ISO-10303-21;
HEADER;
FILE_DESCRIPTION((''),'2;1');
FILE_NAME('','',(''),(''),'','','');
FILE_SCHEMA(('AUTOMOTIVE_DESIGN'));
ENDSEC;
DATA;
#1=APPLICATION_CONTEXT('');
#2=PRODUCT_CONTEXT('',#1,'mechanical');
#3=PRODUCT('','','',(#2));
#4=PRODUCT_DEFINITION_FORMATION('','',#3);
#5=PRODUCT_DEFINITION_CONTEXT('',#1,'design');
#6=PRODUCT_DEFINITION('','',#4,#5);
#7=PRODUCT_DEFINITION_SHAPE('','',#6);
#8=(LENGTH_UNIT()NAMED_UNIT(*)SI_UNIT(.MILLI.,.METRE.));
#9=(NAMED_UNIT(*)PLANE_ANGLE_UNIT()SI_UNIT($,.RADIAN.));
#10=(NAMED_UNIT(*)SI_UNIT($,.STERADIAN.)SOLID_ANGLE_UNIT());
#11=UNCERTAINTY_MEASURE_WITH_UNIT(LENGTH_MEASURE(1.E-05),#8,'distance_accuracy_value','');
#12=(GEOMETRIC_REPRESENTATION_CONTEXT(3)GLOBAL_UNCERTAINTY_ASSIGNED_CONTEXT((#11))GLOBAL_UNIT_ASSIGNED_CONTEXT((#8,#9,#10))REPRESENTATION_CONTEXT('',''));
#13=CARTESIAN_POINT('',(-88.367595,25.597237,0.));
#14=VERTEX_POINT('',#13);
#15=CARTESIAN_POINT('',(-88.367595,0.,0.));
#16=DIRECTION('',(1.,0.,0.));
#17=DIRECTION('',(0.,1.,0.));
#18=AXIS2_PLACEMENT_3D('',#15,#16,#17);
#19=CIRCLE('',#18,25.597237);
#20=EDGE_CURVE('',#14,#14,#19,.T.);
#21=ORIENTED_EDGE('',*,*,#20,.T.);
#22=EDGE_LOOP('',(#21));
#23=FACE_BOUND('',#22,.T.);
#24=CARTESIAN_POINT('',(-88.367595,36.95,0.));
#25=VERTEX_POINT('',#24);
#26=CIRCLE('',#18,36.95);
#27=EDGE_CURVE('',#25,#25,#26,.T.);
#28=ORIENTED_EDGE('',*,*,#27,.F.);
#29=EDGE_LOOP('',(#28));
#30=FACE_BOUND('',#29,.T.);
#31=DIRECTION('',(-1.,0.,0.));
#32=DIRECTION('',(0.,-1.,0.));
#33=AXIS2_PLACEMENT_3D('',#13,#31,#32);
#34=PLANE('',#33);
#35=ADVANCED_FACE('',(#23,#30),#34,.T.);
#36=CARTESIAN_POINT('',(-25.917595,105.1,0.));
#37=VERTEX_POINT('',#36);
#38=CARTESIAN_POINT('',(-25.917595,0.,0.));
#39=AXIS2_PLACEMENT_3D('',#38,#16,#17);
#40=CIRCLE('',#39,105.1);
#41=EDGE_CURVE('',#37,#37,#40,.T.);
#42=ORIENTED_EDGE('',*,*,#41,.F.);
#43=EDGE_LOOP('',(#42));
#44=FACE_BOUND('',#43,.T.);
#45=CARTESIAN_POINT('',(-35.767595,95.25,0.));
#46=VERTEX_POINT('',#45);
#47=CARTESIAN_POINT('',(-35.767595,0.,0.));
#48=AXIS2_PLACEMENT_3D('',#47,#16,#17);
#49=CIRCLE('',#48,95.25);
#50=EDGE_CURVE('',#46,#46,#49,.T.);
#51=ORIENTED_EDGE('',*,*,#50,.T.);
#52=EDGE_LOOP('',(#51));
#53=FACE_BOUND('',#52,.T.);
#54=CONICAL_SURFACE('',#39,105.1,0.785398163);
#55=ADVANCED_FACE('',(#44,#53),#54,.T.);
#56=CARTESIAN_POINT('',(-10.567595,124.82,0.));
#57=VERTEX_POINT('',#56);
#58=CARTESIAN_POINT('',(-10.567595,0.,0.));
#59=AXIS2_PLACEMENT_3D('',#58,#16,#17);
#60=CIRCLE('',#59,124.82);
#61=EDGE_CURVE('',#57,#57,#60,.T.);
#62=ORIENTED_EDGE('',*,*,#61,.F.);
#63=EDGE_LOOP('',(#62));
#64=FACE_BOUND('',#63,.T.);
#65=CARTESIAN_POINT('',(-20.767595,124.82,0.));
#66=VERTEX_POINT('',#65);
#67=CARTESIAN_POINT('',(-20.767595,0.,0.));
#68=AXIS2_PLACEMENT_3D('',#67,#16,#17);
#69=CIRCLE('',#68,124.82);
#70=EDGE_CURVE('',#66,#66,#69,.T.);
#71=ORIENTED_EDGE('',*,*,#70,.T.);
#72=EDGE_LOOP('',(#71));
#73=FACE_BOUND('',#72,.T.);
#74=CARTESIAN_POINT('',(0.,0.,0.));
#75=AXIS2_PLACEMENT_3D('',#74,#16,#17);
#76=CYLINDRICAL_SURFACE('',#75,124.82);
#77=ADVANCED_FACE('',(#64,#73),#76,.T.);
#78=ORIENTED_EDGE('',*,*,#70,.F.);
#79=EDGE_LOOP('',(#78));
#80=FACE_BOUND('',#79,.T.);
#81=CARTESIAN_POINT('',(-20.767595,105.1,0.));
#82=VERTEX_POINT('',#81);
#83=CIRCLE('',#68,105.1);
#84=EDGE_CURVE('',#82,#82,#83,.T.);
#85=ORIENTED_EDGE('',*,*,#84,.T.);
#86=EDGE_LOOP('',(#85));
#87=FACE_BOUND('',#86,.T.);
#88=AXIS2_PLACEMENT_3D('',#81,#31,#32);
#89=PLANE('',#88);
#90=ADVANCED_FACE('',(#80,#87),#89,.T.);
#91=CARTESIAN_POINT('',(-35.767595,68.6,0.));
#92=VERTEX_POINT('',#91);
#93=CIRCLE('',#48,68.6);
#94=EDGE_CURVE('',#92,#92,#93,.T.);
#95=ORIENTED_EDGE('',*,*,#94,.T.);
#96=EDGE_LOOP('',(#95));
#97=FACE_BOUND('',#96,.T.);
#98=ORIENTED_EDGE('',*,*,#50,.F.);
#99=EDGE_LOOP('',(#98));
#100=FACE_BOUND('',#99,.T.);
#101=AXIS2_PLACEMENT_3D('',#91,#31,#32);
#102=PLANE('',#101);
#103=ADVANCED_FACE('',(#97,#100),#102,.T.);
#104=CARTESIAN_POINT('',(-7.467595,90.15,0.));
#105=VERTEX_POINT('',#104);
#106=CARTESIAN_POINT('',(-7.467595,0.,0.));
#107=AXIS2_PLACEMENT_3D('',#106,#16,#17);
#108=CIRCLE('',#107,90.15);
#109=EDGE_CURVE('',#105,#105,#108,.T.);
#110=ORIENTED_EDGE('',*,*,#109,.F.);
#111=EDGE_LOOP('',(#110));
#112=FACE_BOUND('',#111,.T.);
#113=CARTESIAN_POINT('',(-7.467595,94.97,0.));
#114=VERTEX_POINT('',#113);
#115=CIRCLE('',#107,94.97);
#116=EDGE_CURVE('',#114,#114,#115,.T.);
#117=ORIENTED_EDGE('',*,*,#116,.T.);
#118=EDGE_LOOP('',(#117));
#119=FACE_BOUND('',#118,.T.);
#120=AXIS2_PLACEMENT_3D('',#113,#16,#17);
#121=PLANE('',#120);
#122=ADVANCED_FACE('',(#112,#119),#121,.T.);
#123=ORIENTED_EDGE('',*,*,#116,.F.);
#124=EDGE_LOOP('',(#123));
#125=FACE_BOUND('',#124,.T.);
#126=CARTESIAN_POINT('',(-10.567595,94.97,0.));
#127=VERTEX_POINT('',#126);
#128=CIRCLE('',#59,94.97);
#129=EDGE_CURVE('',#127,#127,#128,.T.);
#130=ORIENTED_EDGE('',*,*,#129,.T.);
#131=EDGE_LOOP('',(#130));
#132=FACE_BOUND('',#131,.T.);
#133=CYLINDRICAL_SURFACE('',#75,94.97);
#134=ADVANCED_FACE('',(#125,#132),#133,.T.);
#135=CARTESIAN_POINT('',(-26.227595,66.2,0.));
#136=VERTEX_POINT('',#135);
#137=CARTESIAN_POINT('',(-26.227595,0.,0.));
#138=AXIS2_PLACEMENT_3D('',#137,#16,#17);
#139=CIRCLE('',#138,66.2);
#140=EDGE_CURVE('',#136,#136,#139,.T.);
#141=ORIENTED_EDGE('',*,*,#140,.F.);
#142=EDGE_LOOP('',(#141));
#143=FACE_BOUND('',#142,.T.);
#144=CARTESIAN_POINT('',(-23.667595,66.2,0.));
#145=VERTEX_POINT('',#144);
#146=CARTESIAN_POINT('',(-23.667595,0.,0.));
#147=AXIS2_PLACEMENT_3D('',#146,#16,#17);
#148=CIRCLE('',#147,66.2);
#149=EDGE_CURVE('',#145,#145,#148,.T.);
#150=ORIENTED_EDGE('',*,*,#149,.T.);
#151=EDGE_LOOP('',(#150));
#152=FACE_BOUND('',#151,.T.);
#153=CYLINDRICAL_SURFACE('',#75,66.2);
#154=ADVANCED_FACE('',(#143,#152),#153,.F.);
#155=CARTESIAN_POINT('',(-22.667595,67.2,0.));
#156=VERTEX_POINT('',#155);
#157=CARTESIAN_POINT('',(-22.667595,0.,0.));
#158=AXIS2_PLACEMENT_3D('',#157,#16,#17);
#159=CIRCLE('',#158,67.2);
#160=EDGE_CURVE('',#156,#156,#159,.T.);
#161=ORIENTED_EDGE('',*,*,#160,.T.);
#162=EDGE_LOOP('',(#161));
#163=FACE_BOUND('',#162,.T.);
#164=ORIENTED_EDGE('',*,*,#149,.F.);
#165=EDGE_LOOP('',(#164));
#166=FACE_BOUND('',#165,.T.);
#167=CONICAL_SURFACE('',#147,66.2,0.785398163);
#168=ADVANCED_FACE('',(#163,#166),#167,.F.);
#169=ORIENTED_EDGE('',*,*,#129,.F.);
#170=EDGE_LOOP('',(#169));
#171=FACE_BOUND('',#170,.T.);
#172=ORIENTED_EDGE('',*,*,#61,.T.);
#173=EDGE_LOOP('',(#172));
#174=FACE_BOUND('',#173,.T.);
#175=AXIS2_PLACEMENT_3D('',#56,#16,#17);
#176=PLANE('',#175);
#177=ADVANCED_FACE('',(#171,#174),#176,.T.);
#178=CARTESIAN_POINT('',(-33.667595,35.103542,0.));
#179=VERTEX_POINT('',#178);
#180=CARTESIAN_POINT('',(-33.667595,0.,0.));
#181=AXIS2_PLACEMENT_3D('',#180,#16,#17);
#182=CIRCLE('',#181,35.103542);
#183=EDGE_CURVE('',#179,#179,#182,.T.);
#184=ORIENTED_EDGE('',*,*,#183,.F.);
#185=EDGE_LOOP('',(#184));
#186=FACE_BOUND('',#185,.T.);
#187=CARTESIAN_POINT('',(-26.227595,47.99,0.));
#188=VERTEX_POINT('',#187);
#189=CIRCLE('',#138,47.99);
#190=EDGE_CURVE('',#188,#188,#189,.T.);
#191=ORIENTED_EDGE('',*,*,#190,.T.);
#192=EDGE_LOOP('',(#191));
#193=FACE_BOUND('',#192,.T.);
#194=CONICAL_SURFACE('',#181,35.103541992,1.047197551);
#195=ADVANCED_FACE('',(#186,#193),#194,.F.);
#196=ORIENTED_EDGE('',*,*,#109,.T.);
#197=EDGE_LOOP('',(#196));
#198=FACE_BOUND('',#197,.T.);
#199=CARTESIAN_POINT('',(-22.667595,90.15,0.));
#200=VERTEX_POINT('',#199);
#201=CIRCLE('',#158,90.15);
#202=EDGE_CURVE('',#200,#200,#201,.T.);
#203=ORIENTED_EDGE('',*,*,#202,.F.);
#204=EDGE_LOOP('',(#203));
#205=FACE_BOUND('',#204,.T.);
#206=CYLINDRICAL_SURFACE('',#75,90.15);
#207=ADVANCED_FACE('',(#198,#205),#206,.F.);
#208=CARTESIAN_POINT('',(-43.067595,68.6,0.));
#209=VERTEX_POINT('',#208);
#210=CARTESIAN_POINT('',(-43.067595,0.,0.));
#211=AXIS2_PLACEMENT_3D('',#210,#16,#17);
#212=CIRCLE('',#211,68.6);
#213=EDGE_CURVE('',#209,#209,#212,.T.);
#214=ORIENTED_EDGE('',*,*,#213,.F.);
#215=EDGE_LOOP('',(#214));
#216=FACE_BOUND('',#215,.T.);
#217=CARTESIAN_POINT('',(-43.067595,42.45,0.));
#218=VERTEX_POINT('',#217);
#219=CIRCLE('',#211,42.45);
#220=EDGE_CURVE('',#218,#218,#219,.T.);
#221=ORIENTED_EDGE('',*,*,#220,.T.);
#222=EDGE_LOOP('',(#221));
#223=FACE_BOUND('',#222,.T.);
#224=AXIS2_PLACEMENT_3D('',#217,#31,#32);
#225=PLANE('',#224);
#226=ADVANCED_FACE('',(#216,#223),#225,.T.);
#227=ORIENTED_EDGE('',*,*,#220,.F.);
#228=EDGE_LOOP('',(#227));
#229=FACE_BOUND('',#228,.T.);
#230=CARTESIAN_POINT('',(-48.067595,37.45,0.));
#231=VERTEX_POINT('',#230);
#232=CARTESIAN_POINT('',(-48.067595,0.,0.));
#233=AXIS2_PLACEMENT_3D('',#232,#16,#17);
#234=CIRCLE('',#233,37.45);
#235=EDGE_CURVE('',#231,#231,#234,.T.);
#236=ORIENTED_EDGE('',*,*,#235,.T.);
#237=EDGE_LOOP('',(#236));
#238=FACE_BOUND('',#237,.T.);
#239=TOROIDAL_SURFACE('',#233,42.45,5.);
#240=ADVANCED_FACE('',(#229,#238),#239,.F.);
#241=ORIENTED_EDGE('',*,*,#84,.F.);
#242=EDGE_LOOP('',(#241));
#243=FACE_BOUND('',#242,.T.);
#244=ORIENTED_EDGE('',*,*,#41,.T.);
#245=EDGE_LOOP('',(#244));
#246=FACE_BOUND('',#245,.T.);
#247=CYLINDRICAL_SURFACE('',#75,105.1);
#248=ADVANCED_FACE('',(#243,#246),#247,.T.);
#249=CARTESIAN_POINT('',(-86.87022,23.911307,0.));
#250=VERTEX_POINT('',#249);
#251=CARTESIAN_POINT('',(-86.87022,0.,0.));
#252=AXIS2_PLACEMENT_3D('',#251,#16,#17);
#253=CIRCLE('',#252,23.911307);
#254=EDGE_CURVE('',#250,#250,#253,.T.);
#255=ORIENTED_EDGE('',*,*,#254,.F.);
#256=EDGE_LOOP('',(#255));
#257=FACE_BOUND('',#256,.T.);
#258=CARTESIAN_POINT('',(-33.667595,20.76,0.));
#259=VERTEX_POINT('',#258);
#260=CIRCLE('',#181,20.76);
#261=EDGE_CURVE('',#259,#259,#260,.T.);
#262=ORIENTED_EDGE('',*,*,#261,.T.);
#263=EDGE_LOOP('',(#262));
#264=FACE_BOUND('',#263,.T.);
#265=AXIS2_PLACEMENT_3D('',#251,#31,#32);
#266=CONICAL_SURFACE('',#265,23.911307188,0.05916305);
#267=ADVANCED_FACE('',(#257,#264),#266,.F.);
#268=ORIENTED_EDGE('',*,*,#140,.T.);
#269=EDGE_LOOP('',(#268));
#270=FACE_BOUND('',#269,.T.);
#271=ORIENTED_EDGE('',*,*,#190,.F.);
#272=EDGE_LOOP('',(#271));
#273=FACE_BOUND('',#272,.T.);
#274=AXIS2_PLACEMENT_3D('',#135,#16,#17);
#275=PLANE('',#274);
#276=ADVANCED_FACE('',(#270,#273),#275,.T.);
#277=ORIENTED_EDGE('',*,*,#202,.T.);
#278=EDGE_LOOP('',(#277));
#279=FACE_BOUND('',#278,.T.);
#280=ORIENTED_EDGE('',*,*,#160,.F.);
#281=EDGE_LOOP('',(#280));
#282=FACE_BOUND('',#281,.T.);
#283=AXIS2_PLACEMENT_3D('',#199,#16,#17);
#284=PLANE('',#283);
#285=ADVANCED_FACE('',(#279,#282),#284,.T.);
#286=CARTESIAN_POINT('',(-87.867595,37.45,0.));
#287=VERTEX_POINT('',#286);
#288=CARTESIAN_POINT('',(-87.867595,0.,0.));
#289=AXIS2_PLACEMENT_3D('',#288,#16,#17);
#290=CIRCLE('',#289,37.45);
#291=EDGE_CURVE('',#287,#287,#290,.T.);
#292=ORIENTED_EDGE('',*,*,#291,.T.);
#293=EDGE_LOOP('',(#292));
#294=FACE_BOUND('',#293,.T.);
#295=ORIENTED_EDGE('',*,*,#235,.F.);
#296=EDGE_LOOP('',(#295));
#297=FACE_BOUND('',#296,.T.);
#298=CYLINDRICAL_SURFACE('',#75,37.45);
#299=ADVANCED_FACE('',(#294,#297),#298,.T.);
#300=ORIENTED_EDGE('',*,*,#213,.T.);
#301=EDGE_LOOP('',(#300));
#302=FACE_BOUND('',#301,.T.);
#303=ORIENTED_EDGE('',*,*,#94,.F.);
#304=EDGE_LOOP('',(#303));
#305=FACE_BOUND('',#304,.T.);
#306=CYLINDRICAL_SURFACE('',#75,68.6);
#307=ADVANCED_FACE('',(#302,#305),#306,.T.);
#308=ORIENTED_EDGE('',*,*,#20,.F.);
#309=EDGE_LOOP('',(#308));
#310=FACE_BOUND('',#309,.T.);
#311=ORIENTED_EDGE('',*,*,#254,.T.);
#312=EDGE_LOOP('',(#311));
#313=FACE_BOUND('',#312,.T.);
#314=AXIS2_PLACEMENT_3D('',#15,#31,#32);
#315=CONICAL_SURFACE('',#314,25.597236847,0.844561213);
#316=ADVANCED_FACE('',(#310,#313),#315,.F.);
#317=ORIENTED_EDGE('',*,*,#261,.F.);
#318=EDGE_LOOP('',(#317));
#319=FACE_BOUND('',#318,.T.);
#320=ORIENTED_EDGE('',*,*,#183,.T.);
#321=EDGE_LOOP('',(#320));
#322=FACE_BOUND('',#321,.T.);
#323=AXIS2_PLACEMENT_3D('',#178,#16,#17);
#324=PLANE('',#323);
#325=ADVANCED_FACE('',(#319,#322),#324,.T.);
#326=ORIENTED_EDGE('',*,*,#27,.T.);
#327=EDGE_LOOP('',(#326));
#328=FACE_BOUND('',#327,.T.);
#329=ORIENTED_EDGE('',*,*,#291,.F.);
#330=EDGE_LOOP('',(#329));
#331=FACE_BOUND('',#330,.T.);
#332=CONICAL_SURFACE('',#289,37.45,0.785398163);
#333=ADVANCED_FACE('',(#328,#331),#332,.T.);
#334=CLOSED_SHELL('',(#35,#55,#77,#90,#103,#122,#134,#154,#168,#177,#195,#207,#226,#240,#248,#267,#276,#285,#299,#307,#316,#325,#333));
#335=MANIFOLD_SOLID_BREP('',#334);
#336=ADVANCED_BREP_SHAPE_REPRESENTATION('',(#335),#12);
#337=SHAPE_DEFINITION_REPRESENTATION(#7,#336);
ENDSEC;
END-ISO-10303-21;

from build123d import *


with BuildPart() as part:
    # Эскиз1 → Повернуть1 (revolve)
    with BuildSketch(Plane.XY):
        with BuildLine():
            Line((-88.367595483, 25.597236847), (-88.367595483, 36.95))
            Line((-88.367595483, 36.95), (-87.867595483, 37.45))
            Line((-87.867595483, 37.45), (-48.067595483, 37.45))
            ThreePointArc((-48.067595483, 37.45), (-44.532061577, 38.914466094), (-43.067595483, 42.45))
            Line((-43.067595483, 42.45), (-43.067595483, 68.6))
            Line((-43.067595483, 68.6), (-35.767595483, 68.6))
            Line((-35.767595483, 68.6), (-35.767595483, 95.25))
            Line((-35.767595483, 95.25), (-25.917595483, 105.1))
            Line((-25.917595483, 105.1), (-20.767595483, 105.1))
            Line((-20.767595483, 105.1), (-20.767595483, 124.82))
            Line((-20.767595483, 124.82), (-10.567595483, 124.82))
            Line((-10.567595483, 124.82), (-10.567595483, 94.97))
            Line((-10.567595483, 94.97), (-7.467595483, 94.97))
            Line((-7.467595483, 94.97), (-7.467595483, 90.15))
            Line((-7.467595483, 90.15), (-22.667595483, 90.15))
            Line((-22.667595483, 90.15), (-22.667595483, 67.2))
            Line((-22.667595483, 67.2), (-23.667595483, 66.2))
            Line((-23.667595483, 66.2), (-26.227595483, 66.2))
            Line((-26.227595483, 66.2), (-26.227595483, 47.99))
            Line((-26.227595483, 47.99), (-33.667595483, 35.103541992))
            Line((-33.667595483, 35.103541992), (-33.667595483, 20.76))
            Line((-33.667595483, 20.76), (-86.870219917, 23.911307188))
            Line((-86.870219917, 23.911307188), (-88.367595483, 25.597236847))
        make_face()
    revolve(axis=Axis((0, 0, 0), (-1, 0, 0)))


solid = part.part
